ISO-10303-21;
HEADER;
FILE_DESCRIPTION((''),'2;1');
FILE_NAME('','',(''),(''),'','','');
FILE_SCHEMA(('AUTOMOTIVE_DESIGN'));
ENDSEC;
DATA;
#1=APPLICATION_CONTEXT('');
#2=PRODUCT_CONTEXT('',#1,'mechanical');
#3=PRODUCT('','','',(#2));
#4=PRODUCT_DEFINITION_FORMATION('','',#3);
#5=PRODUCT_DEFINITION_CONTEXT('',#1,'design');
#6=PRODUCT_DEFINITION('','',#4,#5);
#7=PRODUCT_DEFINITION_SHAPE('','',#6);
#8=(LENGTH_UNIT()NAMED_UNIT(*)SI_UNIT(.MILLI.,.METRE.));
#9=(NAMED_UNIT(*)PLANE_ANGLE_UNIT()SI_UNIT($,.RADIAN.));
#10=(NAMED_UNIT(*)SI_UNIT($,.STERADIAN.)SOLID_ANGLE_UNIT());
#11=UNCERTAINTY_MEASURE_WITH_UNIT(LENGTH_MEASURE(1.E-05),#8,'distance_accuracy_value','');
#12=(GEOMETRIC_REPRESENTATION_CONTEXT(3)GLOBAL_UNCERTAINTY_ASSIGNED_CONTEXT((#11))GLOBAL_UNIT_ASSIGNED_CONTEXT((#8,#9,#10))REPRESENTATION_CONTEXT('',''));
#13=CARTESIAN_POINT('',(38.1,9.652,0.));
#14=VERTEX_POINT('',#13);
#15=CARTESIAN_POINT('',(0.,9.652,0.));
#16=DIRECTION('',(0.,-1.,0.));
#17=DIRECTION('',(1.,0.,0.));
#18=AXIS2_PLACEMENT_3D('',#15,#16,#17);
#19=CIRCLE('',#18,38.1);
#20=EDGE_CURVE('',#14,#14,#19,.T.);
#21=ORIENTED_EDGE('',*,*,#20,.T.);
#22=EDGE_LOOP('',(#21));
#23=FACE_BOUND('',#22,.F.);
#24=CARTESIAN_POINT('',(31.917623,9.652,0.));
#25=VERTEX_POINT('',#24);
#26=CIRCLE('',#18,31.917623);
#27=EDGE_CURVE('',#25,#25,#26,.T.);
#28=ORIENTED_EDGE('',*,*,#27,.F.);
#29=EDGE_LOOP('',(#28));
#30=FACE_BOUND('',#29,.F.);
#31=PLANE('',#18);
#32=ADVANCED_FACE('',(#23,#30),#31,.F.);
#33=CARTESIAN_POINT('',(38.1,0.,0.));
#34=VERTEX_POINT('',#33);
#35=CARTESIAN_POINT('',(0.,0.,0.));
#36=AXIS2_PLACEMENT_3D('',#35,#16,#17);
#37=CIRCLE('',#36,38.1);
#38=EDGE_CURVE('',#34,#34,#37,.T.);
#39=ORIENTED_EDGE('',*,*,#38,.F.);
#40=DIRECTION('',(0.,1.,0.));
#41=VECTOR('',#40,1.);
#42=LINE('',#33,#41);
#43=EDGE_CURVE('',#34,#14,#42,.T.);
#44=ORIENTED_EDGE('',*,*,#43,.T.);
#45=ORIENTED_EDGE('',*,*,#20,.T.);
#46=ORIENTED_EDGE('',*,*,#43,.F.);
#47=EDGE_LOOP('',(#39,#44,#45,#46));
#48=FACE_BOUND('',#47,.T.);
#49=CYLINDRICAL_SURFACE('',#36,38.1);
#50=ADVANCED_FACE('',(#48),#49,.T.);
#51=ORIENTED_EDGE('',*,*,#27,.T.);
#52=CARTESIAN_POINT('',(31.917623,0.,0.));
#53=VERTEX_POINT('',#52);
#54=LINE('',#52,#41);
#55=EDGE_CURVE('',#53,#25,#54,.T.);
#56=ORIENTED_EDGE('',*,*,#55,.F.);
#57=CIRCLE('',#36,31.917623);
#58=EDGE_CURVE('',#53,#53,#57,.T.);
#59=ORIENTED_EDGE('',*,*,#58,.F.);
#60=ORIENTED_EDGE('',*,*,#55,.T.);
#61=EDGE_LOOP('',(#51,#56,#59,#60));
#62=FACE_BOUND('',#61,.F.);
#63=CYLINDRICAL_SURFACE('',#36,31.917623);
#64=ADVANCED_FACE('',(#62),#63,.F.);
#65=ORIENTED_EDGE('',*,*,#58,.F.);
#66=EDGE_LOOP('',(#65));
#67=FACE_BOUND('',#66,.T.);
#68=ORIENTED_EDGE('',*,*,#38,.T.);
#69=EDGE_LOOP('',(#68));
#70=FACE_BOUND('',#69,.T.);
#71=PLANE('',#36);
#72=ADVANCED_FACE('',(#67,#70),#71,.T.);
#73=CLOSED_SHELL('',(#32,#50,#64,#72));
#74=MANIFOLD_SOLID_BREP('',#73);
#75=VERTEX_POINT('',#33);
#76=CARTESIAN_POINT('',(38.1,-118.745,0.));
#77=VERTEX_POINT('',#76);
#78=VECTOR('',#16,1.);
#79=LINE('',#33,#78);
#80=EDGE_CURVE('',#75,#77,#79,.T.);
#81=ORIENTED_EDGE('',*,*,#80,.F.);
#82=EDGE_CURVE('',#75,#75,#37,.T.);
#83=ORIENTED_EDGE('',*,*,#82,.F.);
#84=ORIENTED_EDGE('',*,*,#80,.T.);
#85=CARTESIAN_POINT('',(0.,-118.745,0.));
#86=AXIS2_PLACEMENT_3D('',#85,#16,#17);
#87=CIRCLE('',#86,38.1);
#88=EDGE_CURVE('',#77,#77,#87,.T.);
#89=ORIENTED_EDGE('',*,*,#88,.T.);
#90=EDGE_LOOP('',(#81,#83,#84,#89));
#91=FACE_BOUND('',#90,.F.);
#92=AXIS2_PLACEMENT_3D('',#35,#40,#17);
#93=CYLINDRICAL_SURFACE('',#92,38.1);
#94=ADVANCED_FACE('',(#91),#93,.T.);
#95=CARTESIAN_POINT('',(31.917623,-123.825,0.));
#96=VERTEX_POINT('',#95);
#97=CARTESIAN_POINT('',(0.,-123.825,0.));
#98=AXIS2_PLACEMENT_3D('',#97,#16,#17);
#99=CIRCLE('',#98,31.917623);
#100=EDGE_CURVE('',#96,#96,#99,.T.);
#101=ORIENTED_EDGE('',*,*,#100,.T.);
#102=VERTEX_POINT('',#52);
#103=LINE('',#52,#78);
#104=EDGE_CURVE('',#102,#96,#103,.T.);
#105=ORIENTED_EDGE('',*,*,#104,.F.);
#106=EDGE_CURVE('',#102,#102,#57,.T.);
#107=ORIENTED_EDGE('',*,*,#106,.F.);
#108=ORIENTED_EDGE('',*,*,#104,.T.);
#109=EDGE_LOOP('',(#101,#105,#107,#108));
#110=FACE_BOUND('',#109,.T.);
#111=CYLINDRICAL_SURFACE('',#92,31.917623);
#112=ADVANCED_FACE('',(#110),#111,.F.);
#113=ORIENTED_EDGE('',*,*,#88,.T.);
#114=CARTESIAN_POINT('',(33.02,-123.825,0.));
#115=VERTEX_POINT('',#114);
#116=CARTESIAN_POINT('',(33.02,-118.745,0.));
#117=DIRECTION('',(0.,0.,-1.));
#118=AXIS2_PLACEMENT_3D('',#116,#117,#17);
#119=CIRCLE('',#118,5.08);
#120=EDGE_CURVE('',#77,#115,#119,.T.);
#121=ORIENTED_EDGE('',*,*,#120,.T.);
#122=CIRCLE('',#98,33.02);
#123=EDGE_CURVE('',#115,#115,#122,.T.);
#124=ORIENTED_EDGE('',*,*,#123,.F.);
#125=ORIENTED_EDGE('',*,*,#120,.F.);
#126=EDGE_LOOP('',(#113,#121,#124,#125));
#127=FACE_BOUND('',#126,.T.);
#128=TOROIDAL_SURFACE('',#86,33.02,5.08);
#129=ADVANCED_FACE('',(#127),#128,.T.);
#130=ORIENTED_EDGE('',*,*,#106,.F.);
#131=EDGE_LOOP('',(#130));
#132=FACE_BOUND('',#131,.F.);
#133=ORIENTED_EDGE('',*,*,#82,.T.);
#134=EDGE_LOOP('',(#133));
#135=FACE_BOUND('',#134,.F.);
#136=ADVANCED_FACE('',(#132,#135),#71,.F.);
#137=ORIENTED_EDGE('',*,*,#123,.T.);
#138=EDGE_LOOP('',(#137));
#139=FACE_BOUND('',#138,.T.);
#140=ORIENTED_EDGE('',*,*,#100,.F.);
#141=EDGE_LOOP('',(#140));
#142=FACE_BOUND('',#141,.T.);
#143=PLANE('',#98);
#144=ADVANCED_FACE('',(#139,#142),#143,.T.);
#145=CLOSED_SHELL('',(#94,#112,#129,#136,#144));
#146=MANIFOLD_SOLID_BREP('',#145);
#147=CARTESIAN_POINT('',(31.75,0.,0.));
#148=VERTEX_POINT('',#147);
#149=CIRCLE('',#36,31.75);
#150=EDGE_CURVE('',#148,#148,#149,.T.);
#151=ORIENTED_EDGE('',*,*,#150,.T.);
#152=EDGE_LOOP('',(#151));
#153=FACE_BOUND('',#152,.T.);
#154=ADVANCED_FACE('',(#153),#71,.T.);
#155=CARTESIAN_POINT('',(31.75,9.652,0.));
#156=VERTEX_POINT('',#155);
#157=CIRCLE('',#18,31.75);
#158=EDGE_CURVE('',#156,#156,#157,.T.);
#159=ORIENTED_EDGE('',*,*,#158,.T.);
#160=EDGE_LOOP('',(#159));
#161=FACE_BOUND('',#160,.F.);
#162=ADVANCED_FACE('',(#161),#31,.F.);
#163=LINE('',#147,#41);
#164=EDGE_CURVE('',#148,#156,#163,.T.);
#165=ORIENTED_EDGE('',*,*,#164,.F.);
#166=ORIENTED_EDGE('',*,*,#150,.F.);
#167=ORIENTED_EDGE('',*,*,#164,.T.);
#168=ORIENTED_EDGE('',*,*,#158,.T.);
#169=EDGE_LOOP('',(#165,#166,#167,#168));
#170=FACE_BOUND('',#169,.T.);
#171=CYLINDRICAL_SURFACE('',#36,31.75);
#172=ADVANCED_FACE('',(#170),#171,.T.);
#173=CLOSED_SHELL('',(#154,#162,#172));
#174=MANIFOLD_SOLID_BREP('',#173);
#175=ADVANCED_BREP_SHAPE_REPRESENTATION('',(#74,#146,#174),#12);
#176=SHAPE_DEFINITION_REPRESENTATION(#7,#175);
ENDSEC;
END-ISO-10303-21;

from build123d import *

# Parameters (mm, degrees)
F0_R     = 38.1
F0_R_2   = 31.9176226604
F1_DEPTH = 123.825
F2_R     = 5.08
F0_R_3   = 31.75
F3_DEPTH = 9.652


with BuildPart() as f1:
    # F0 (on Front) → F1 (new body)
    with BuildSketch(Plane.XZ):
        Circle(F0_R)
        Circle(F0_R_2, mode=Mode.SUBTRACT)
    extrude(amount=F1_DEPTH)

    # F2
    f2_edges = [f1.edges().sort_by_distance(p)[0] for p in [
        (-38.1, -123.825, 0),
    ]]
    fillet(f2_edges, radius=F2_R)


with BuildPart() as f3:
    # F0 (on Front) → F3 (new body)
    with BuildSketch(Plane.XZ):
        Circle(F0_R_3)
    extrude(amount=-F3_DEPTH)


with BuildPart() as f3b:
    # F0 (on Front) → F3, piece 2 (new body)
    with BuildSketch(Plane.XZ):
        Circle(F0_R)
        Circle(F0_R_2, mode=Mode.SUBTRACT)
    extrude(amount=-F3_DEPTH)


solid = Compound([f1.part, f3.part, f3b.part])
